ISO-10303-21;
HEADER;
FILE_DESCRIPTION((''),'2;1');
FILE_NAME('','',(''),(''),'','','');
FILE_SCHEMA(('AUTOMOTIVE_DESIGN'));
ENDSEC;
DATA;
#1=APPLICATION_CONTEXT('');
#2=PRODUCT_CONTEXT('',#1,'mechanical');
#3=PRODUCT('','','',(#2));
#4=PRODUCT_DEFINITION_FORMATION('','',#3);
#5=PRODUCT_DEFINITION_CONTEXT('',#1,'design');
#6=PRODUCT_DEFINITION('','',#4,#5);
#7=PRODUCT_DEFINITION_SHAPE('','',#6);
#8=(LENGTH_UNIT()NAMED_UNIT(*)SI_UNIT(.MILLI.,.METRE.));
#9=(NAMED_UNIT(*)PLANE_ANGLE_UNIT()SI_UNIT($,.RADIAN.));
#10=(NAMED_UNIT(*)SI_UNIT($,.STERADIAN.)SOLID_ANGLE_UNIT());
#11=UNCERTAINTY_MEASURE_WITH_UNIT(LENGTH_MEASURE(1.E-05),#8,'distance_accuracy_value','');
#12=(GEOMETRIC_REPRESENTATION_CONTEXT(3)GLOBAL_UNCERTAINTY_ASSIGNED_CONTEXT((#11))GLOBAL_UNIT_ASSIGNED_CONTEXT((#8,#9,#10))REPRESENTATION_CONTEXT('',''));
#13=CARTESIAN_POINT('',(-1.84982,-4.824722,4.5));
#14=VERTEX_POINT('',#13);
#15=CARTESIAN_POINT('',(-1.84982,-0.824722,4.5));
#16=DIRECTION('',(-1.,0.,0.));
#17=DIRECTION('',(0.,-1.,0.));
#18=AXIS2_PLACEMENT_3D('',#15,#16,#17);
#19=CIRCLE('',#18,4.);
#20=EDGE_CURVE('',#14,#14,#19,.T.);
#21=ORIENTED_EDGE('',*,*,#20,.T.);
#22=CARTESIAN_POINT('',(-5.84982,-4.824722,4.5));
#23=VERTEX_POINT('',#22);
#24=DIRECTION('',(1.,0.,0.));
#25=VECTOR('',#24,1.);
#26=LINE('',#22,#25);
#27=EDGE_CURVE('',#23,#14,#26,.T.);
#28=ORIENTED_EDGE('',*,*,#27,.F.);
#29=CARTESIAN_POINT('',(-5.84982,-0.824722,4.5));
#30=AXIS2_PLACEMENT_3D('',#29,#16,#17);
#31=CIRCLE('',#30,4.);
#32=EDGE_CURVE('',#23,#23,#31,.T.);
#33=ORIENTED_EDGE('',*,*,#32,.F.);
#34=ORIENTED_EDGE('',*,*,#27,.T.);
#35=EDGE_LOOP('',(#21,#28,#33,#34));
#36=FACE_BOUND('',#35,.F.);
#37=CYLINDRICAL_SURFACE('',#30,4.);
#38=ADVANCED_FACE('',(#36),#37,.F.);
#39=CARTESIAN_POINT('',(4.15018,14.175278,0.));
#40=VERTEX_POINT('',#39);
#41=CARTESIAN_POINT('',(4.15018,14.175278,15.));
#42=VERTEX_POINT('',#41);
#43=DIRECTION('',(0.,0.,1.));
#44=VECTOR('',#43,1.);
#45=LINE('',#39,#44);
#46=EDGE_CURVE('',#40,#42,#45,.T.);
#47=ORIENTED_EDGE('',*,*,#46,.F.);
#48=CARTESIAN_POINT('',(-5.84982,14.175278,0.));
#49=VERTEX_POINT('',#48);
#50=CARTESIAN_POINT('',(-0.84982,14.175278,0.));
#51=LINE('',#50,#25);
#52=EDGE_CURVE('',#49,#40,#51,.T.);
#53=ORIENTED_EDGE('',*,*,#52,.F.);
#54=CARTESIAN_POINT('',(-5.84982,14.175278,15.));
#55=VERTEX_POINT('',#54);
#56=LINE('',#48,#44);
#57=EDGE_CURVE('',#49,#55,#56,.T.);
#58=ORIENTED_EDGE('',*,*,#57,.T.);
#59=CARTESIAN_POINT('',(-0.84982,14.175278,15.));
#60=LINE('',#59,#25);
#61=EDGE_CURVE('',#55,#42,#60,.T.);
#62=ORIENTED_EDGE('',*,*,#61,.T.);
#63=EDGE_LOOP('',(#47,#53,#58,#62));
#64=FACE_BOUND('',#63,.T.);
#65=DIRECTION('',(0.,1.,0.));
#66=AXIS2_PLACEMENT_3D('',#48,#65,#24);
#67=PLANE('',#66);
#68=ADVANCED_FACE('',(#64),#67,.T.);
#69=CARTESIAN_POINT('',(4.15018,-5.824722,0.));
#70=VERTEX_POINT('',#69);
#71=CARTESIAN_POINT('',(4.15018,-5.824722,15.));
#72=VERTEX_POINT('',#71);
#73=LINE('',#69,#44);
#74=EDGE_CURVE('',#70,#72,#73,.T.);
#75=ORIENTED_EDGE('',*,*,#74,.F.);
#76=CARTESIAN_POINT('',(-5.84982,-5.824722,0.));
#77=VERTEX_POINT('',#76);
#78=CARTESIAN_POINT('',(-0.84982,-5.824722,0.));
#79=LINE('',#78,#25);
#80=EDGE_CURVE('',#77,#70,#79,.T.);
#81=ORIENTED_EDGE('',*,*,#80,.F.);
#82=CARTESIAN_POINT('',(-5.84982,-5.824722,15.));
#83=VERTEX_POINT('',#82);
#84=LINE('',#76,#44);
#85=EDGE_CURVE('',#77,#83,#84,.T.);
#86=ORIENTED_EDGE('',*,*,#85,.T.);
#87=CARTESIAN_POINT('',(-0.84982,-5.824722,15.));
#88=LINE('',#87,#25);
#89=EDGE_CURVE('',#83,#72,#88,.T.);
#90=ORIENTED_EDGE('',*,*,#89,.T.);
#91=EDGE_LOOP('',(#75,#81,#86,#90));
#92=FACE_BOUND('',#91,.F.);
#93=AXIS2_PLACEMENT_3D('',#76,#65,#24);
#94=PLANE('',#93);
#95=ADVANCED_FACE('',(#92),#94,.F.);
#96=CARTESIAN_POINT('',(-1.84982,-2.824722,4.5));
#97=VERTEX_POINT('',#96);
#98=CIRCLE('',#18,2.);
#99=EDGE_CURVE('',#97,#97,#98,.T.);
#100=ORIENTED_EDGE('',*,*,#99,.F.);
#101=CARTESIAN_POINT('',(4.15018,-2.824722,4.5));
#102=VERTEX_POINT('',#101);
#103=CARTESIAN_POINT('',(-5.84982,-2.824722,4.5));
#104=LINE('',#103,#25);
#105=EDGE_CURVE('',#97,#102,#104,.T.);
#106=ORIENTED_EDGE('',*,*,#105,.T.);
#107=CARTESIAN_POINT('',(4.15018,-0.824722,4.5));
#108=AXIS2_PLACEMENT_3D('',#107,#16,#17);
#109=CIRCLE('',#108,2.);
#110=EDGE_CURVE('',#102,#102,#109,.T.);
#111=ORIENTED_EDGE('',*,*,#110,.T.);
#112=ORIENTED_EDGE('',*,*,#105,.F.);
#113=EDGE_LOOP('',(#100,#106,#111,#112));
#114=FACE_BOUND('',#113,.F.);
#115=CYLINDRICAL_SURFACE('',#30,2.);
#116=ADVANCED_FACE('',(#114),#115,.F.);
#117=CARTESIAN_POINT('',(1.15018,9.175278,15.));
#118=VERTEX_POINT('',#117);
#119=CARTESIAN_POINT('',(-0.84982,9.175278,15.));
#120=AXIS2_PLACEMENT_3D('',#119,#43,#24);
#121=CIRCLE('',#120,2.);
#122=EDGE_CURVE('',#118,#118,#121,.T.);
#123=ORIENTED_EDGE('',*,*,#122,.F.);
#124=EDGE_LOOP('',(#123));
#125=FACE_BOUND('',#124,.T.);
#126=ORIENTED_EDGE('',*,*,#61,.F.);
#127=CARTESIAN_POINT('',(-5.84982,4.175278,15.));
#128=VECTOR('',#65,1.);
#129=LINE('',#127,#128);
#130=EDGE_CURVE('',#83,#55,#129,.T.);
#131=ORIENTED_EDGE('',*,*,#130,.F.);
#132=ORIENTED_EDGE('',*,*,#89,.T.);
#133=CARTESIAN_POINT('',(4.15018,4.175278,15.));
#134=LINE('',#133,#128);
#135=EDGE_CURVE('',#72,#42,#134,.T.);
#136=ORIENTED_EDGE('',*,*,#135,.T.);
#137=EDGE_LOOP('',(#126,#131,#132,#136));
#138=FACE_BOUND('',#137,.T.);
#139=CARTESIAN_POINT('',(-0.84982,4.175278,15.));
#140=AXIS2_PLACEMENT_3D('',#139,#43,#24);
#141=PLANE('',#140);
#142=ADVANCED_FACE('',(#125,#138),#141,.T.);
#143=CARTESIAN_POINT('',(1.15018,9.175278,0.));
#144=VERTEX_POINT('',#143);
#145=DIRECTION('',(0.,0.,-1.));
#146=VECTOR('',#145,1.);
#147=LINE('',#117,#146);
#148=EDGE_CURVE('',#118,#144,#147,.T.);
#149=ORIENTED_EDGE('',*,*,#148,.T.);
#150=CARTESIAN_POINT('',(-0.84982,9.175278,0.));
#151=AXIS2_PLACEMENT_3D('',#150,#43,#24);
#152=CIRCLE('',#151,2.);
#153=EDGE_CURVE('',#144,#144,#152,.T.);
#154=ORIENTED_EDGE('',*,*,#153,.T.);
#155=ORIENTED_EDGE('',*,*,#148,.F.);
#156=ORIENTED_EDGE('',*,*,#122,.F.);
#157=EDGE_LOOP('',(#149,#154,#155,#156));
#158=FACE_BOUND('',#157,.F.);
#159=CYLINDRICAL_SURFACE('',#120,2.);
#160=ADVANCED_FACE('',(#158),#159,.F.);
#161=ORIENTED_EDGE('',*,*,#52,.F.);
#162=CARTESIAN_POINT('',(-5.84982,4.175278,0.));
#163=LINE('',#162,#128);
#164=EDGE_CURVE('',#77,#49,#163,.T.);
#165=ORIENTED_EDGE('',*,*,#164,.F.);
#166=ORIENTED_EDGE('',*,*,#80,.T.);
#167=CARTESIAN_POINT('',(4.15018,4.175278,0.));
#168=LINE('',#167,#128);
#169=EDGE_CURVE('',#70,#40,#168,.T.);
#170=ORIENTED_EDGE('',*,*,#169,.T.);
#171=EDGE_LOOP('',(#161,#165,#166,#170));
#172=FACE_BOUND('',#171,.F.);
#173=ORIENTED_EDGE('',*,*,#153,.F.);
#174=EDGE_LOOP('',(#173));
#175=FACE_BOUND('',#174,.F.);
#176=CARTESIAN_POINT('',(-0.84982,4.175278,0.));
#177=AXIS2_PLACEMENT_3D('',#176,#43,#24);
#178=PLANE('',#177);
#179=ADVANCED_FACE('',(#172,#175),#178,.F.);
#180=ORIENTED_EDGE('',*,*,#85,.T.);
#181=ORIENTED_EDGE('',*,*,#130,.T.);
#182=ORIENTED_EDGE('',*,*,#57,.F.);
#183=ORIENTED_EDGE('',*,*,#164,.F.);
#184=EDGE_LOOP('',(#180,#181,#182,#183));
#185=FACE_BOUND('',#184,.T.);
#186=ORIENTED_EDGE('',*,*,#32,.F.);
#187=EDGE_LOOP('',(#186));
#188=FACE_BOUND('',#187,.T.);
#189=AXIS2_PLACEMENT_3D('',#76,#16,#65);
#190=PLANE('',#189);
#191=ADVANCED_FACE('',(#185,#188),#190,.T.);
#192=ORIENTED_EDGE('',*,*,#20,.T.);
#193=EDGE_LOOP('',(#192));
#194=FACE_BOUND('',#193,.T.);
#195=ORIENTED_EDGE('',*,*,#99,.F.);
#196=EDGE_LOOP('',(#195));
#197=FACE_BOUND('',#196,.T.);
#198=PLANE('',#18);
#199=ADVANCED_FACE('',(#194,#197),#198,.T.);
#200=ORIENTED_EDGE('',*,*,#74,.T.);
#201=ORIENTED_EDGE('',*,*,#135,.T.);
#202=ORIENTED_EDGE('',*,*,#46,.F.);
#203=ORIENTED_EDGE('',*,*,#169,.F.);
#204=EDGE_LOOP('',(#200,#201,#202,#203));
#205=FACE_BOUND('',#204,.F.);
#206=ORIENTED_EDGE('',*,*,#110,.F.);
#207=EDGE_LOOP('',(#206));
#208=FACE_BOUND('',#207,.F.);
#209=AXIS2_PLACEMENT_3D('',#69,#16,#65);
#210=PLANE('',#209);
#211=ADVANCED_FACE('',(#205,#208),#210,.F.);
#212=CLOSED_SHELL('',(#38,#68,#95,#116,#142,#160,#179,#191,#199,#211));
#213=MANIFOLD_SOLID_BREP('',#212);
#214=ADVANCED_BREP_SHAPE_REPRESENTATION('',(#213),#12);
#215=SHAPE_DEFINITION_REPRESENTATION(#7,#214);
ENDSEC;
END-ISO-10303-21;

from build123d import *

# Parameters (mm, degrees)
F0_W     = 10
F0_H     = 20
F1_DEPTH = 15
F2_R     = 2
F3_DEPTH = 20
F4_R     = 2
F5_DEPTH = 20
F4_R_2   = 4
F6_DEPTH = 4


with BuildPart() as f1:
    # F0 (on Top) → F1 (new body)
    with BuildSketch(Plane.XY):
        with Locations((-0.84982, 4.175278)):
            Rectangle(F0_W, F0_H)
    extrude(amount=F1_DEPTH)

    # F2 (on face) → F3 (cut)
    with BuildSketch(Plane.XY.offset(15)):
        with Locations((-0.84982, 9.175278)):
            Circle(F2_R)
    extrude(amount=-F3_DEPTH, mode=Mode.SUBTRACT)

    # F4 (on face) → F5 (cut)
    with BuildSketch(Plane(origin=(-5.84982, 0, 0), x_dir=(0, -1, 0), z_dir=(-1, 0, 0))):
        with Locations((0.824722, 4.5)):
            Circle(F4_R)
    extrude(amount=-F5_DEPTH, mode=Mode.SUBTRACT)

    # F4 (on face) → F6 (cut)
    with BuildSketch(Plane(origin=(-5.84982, 0, 0), x_dir=(0, -1, 0), z_dir=(-1, 0, 0))):
        with Locations((0.824722, 4.5)):
            Circle(F4_R_2)
        with Locations((0.824722, 4.5)):
            Circle(F4_R, mode=Mode.SUBTRACT)
    extrude(amount=-F6_DEPTH, mode=Mode.SUBTRACT)


solid = f1.part
